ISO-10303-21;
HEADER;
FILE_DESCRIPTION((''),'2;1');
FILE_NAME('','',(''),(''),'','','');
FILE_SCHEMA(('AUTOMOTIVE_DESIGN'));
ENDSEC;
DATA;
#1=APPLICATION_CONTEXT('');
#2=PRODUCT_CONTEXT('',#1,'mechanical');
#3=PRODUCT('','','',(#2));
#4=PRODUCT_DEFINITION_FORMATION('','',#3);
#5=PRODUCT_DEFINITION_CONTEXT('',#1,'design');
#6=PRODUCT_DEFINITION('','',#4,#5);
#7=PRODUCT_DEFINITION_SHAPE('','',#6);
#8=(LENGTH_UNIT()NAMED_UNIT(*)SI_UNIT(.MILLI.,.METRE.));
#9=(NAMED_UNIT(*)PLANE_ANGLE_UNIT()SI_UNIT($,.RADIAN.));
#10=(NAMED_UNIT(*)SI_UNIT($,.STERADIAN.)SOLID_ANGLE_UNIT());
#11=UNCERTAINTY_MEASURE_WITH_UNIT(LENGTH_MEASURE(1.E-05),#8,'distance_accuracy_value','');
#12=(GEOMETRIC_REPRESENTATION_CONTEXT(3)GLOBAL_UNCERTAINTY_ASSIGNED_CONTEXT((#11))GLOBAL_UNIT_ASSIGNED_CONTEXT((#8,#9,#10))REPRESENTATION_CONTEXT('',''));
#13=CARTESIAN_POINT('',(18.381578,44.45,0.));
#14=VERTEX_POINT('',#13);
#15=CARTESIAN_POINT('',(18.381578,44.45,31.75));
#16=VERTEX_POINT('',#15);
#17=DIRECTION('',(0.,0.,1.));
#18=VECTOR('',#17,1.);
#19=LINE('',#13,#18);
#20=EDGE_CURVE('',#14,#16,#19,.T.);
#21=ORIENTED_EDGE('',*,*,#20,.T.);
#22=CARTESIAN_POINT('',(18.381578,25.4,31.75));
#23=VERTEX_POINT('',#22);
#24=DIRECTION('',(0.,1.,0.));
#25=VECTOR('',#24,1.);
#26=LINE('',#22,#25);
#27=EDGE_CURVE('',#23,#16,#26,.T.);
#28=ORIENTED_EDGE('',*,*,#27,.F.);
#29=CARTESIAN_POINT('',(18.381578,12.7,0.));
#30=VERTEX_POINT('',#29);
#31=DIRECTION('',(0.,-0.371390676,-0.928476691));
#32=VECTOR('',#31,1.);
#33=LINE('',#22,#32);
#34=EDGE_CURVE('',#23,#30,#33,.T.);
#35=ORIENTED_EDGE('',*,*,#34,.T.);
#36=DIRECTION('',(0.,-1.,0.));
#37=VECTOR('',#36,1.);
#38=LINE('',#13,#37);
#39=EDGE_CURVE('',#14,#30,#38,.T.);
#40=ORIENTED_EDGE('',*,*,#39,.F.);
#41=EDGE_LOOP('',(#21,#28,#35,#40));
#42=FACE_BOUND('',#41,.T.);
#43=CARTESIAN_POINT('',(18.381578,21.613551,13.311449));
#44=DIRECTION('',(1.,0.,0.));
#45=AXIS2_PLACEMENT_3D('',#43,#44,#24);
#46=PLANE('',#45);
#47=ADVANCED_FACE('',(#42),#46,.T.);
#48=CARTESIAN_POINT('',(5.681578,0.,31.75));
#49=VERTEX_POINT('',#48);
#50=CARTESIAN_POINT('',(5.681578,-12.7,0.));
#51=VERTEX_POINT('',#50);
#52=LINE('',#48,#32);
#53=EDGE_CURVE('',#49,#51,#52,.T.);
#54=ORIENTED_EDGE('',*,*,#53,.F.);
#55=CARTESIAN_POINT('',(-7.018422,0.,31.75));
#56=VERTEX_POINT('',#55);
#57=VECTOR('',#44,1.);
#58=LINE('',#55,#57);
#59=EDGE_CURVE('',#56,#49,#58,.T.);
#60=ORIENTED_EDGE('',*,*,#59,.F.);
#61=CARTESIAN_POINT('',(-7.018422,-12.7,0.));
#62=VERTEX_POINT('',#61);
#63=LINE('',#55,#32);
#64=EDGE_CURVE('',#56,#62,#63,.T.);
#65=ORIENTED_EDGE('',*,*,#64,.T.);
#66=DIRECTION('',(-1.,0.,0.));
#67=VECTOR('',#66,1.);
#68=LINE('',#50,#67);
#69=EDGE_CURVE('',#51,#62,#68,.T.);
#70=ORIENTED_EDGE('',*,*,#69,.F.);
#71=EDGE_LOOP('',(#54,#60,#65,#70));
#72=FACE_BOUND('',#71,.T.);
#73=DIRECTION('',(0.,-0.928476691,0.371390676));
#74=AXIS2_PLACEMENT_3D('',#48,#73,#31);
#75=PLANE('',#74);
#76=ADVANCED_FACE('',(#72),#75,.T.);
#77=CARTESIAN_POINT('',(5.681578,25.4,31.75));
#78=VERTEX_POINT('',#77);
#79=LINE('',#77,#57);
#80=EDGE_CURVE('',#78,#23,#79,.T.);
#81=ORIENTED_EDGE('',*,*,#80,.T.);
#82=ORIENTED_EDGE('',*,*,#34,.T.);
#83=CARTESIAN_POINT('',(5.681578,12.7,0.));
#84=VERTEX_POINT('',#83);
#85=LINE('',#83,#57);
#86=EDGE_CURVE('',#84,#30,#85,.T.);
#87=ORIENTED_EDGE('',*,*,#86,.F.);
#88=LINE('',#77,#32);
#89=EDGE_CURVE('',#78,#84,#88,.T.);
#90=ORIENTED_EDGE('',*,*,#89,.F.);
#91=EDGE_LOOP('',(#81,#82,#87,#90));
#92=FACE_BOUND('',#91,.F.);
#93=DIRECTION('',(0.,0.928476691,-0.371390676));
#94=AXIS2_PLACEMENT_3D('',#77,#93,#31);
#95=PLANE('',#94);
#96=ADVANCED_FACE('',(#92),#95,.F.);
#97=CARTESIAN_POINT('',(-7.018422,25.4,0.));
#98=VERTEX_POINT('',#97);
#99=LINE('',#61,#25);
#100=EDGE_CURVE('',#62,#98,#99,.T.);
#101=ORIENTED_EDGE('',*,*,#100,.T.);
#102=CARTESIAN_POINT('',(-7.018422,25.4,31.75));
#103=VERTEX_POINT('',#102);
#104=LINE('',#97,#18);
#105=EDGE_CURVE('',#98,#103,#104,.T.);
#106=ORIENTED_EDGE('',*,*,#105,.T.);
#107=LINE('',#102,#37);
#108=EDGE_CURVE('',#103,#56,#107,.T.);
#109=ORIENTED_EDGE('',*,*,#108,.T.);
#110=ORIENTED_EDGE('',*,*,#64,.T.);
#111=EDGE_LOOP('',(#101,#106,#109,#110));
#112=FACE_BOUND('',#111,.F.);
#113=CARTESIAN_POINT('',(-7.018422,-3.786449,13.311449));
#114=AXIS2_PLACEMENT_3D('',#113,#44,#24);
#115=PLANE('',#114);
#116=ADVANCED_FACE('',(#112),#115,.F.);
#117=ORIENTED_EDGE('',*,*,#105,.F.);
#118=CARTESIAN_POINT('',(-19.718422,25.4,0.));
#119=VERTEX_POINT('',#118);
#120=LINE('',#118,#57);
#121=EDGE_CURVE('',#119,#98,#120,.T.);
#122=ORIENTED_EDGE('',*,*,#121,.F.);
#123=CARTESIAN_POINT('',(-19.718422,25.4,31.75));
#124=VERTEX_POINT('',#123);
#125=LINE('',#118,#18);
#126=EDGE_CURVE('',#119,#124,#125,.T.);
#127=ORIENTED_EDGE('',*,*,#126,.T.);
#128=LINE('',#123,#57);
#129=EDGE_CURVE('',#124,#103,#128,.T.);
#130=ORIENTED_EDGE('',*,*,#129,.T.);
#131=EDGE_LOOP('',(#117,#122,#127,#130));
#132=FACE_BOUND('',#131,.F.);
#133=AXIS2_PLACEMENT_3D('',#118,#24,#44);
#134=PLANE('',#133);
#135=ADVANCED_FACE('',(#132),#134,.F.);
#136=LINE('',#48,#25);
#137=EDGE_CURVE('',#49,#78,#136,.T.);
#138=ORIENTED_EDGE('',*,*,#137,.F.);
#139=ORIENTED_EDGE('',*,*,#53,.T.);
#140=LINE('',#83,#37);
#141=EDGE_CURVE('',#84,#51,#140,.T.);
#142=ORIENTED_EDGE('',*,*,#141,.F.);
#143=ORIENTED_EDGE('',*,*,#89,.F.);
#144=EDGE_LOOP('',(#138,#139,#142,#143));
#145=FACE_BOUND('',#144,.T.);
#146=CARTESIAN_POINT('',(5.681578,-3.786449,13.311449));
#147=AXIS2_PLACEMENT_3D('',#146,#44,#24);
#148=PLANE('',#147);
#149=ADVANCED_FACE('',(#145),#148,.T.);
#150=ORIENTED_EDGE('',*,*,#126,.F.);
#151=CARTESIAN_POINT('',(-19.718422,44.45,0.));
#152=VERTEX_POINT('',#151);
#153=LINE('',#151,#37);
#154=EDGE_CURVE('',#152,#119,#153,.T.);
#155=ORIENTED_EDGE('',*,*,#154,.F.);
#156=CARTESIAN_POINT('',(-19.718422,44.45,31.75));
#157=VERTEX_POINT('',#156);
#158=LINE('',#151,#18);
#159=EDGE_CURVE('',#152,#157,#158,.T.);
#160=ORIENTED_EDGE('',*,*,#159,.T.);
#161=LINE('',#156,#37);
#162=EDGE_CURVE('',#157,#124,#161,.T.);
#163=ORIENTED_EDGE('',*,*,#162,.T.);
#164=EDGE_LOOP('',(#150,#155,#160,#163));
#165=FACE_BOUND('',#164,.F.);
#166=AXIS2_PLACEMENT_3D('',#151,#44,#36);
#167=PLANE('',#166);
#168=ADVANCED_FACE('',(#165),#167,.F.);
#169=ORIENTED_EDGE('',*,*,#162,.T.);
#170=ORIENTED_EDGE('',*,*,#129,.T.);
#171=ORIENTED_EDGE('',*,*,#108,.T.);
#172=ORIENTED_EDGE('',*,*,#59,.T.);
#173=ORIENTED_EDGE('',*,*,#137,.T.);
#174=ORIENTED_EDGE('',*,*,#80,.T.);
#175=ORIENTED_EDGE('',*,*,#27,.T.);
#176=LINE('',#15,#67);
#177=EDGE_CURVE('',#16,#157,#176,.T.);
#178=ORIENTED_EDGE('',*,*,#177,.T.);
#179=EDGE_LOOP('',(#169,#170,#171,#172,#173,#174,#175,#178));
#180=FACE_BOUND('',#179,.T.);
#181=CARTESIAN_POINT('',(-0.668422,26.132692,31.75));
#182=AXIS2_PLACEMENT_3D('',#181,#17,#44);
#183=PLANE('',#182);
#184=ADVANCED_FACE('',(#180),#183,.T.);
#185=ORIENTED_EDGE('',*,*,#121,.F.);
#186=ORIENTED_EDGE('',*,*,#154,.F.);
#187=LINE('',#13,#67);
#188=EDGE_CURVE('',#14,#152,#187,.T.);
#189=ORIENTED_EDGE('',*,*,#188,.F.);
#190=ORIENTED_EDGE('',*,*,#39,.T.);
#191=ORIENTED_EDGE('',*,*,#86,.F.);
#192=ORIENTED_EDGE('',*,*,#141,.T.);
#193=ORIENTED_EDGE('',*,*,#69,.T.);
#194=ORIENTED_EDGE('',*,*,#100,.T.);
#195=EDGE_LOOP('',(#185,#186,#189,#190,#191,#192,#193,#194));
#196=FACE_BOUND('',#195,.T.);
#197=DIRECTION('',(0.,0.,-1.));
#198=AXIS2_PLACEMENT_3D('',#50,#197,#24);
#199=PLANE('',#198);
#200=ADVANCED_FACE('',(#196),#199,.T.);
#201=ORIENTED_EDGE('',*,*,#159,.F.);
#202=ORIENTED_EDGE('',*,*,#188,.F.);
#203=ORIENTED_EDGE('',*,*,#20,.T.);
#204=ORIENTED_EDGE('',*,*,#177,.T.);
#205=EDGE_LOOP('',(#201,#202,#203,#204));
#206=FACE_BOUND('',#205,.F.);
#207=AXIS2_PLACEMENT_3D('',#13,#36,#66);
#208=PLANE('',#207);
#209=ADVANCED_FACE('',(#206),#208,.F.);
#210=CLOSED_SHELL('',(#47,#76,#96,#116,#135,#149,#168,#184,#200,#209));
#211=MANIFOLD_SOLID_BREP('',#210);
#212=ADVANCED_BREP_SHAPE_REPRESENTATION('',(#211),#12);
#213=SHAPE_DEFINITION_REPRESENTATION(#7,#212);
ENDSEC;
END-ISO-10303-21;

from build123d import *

# Parameters (mm, degrees)
F1_DEPTH = 31.75
F3_DEPTH = 12.7
F5_DEPTH = 12.7


with BuildPart() as f1:
    # F0 (on Top) → F1 (new body)
    with BuildSketch(Plane.XY):
        Polygon((18.381578, 44.45), (-19.718422, 44.45), (-19.718422, 25.4), (-7.018422, 25.4), (-7.018422, 0), (5.681578, 0), (5.681578, 25.4), (18.381578, 25.4), align=None)
    extrude(amount=F1_DEPTH)

    # F2 (on face) → F3 (join)
    with BuildSketch(Plane.YZ.offset(5.681578)):
        Polygon((12.7, 0), (25.4, 0), (25.4, 31.75), align=None)
    extrude(amount=F3_DEPTH)

    # F4 (on face) → F5 (join)
    with BuildSketch(Plane.YZ.offset(5.681578)):
        Polygon((-12.7, 0), (0, 0), (0, 31.75), align=None)
    extrude(amount=-F5_DEPTH)


solid = f1.part
